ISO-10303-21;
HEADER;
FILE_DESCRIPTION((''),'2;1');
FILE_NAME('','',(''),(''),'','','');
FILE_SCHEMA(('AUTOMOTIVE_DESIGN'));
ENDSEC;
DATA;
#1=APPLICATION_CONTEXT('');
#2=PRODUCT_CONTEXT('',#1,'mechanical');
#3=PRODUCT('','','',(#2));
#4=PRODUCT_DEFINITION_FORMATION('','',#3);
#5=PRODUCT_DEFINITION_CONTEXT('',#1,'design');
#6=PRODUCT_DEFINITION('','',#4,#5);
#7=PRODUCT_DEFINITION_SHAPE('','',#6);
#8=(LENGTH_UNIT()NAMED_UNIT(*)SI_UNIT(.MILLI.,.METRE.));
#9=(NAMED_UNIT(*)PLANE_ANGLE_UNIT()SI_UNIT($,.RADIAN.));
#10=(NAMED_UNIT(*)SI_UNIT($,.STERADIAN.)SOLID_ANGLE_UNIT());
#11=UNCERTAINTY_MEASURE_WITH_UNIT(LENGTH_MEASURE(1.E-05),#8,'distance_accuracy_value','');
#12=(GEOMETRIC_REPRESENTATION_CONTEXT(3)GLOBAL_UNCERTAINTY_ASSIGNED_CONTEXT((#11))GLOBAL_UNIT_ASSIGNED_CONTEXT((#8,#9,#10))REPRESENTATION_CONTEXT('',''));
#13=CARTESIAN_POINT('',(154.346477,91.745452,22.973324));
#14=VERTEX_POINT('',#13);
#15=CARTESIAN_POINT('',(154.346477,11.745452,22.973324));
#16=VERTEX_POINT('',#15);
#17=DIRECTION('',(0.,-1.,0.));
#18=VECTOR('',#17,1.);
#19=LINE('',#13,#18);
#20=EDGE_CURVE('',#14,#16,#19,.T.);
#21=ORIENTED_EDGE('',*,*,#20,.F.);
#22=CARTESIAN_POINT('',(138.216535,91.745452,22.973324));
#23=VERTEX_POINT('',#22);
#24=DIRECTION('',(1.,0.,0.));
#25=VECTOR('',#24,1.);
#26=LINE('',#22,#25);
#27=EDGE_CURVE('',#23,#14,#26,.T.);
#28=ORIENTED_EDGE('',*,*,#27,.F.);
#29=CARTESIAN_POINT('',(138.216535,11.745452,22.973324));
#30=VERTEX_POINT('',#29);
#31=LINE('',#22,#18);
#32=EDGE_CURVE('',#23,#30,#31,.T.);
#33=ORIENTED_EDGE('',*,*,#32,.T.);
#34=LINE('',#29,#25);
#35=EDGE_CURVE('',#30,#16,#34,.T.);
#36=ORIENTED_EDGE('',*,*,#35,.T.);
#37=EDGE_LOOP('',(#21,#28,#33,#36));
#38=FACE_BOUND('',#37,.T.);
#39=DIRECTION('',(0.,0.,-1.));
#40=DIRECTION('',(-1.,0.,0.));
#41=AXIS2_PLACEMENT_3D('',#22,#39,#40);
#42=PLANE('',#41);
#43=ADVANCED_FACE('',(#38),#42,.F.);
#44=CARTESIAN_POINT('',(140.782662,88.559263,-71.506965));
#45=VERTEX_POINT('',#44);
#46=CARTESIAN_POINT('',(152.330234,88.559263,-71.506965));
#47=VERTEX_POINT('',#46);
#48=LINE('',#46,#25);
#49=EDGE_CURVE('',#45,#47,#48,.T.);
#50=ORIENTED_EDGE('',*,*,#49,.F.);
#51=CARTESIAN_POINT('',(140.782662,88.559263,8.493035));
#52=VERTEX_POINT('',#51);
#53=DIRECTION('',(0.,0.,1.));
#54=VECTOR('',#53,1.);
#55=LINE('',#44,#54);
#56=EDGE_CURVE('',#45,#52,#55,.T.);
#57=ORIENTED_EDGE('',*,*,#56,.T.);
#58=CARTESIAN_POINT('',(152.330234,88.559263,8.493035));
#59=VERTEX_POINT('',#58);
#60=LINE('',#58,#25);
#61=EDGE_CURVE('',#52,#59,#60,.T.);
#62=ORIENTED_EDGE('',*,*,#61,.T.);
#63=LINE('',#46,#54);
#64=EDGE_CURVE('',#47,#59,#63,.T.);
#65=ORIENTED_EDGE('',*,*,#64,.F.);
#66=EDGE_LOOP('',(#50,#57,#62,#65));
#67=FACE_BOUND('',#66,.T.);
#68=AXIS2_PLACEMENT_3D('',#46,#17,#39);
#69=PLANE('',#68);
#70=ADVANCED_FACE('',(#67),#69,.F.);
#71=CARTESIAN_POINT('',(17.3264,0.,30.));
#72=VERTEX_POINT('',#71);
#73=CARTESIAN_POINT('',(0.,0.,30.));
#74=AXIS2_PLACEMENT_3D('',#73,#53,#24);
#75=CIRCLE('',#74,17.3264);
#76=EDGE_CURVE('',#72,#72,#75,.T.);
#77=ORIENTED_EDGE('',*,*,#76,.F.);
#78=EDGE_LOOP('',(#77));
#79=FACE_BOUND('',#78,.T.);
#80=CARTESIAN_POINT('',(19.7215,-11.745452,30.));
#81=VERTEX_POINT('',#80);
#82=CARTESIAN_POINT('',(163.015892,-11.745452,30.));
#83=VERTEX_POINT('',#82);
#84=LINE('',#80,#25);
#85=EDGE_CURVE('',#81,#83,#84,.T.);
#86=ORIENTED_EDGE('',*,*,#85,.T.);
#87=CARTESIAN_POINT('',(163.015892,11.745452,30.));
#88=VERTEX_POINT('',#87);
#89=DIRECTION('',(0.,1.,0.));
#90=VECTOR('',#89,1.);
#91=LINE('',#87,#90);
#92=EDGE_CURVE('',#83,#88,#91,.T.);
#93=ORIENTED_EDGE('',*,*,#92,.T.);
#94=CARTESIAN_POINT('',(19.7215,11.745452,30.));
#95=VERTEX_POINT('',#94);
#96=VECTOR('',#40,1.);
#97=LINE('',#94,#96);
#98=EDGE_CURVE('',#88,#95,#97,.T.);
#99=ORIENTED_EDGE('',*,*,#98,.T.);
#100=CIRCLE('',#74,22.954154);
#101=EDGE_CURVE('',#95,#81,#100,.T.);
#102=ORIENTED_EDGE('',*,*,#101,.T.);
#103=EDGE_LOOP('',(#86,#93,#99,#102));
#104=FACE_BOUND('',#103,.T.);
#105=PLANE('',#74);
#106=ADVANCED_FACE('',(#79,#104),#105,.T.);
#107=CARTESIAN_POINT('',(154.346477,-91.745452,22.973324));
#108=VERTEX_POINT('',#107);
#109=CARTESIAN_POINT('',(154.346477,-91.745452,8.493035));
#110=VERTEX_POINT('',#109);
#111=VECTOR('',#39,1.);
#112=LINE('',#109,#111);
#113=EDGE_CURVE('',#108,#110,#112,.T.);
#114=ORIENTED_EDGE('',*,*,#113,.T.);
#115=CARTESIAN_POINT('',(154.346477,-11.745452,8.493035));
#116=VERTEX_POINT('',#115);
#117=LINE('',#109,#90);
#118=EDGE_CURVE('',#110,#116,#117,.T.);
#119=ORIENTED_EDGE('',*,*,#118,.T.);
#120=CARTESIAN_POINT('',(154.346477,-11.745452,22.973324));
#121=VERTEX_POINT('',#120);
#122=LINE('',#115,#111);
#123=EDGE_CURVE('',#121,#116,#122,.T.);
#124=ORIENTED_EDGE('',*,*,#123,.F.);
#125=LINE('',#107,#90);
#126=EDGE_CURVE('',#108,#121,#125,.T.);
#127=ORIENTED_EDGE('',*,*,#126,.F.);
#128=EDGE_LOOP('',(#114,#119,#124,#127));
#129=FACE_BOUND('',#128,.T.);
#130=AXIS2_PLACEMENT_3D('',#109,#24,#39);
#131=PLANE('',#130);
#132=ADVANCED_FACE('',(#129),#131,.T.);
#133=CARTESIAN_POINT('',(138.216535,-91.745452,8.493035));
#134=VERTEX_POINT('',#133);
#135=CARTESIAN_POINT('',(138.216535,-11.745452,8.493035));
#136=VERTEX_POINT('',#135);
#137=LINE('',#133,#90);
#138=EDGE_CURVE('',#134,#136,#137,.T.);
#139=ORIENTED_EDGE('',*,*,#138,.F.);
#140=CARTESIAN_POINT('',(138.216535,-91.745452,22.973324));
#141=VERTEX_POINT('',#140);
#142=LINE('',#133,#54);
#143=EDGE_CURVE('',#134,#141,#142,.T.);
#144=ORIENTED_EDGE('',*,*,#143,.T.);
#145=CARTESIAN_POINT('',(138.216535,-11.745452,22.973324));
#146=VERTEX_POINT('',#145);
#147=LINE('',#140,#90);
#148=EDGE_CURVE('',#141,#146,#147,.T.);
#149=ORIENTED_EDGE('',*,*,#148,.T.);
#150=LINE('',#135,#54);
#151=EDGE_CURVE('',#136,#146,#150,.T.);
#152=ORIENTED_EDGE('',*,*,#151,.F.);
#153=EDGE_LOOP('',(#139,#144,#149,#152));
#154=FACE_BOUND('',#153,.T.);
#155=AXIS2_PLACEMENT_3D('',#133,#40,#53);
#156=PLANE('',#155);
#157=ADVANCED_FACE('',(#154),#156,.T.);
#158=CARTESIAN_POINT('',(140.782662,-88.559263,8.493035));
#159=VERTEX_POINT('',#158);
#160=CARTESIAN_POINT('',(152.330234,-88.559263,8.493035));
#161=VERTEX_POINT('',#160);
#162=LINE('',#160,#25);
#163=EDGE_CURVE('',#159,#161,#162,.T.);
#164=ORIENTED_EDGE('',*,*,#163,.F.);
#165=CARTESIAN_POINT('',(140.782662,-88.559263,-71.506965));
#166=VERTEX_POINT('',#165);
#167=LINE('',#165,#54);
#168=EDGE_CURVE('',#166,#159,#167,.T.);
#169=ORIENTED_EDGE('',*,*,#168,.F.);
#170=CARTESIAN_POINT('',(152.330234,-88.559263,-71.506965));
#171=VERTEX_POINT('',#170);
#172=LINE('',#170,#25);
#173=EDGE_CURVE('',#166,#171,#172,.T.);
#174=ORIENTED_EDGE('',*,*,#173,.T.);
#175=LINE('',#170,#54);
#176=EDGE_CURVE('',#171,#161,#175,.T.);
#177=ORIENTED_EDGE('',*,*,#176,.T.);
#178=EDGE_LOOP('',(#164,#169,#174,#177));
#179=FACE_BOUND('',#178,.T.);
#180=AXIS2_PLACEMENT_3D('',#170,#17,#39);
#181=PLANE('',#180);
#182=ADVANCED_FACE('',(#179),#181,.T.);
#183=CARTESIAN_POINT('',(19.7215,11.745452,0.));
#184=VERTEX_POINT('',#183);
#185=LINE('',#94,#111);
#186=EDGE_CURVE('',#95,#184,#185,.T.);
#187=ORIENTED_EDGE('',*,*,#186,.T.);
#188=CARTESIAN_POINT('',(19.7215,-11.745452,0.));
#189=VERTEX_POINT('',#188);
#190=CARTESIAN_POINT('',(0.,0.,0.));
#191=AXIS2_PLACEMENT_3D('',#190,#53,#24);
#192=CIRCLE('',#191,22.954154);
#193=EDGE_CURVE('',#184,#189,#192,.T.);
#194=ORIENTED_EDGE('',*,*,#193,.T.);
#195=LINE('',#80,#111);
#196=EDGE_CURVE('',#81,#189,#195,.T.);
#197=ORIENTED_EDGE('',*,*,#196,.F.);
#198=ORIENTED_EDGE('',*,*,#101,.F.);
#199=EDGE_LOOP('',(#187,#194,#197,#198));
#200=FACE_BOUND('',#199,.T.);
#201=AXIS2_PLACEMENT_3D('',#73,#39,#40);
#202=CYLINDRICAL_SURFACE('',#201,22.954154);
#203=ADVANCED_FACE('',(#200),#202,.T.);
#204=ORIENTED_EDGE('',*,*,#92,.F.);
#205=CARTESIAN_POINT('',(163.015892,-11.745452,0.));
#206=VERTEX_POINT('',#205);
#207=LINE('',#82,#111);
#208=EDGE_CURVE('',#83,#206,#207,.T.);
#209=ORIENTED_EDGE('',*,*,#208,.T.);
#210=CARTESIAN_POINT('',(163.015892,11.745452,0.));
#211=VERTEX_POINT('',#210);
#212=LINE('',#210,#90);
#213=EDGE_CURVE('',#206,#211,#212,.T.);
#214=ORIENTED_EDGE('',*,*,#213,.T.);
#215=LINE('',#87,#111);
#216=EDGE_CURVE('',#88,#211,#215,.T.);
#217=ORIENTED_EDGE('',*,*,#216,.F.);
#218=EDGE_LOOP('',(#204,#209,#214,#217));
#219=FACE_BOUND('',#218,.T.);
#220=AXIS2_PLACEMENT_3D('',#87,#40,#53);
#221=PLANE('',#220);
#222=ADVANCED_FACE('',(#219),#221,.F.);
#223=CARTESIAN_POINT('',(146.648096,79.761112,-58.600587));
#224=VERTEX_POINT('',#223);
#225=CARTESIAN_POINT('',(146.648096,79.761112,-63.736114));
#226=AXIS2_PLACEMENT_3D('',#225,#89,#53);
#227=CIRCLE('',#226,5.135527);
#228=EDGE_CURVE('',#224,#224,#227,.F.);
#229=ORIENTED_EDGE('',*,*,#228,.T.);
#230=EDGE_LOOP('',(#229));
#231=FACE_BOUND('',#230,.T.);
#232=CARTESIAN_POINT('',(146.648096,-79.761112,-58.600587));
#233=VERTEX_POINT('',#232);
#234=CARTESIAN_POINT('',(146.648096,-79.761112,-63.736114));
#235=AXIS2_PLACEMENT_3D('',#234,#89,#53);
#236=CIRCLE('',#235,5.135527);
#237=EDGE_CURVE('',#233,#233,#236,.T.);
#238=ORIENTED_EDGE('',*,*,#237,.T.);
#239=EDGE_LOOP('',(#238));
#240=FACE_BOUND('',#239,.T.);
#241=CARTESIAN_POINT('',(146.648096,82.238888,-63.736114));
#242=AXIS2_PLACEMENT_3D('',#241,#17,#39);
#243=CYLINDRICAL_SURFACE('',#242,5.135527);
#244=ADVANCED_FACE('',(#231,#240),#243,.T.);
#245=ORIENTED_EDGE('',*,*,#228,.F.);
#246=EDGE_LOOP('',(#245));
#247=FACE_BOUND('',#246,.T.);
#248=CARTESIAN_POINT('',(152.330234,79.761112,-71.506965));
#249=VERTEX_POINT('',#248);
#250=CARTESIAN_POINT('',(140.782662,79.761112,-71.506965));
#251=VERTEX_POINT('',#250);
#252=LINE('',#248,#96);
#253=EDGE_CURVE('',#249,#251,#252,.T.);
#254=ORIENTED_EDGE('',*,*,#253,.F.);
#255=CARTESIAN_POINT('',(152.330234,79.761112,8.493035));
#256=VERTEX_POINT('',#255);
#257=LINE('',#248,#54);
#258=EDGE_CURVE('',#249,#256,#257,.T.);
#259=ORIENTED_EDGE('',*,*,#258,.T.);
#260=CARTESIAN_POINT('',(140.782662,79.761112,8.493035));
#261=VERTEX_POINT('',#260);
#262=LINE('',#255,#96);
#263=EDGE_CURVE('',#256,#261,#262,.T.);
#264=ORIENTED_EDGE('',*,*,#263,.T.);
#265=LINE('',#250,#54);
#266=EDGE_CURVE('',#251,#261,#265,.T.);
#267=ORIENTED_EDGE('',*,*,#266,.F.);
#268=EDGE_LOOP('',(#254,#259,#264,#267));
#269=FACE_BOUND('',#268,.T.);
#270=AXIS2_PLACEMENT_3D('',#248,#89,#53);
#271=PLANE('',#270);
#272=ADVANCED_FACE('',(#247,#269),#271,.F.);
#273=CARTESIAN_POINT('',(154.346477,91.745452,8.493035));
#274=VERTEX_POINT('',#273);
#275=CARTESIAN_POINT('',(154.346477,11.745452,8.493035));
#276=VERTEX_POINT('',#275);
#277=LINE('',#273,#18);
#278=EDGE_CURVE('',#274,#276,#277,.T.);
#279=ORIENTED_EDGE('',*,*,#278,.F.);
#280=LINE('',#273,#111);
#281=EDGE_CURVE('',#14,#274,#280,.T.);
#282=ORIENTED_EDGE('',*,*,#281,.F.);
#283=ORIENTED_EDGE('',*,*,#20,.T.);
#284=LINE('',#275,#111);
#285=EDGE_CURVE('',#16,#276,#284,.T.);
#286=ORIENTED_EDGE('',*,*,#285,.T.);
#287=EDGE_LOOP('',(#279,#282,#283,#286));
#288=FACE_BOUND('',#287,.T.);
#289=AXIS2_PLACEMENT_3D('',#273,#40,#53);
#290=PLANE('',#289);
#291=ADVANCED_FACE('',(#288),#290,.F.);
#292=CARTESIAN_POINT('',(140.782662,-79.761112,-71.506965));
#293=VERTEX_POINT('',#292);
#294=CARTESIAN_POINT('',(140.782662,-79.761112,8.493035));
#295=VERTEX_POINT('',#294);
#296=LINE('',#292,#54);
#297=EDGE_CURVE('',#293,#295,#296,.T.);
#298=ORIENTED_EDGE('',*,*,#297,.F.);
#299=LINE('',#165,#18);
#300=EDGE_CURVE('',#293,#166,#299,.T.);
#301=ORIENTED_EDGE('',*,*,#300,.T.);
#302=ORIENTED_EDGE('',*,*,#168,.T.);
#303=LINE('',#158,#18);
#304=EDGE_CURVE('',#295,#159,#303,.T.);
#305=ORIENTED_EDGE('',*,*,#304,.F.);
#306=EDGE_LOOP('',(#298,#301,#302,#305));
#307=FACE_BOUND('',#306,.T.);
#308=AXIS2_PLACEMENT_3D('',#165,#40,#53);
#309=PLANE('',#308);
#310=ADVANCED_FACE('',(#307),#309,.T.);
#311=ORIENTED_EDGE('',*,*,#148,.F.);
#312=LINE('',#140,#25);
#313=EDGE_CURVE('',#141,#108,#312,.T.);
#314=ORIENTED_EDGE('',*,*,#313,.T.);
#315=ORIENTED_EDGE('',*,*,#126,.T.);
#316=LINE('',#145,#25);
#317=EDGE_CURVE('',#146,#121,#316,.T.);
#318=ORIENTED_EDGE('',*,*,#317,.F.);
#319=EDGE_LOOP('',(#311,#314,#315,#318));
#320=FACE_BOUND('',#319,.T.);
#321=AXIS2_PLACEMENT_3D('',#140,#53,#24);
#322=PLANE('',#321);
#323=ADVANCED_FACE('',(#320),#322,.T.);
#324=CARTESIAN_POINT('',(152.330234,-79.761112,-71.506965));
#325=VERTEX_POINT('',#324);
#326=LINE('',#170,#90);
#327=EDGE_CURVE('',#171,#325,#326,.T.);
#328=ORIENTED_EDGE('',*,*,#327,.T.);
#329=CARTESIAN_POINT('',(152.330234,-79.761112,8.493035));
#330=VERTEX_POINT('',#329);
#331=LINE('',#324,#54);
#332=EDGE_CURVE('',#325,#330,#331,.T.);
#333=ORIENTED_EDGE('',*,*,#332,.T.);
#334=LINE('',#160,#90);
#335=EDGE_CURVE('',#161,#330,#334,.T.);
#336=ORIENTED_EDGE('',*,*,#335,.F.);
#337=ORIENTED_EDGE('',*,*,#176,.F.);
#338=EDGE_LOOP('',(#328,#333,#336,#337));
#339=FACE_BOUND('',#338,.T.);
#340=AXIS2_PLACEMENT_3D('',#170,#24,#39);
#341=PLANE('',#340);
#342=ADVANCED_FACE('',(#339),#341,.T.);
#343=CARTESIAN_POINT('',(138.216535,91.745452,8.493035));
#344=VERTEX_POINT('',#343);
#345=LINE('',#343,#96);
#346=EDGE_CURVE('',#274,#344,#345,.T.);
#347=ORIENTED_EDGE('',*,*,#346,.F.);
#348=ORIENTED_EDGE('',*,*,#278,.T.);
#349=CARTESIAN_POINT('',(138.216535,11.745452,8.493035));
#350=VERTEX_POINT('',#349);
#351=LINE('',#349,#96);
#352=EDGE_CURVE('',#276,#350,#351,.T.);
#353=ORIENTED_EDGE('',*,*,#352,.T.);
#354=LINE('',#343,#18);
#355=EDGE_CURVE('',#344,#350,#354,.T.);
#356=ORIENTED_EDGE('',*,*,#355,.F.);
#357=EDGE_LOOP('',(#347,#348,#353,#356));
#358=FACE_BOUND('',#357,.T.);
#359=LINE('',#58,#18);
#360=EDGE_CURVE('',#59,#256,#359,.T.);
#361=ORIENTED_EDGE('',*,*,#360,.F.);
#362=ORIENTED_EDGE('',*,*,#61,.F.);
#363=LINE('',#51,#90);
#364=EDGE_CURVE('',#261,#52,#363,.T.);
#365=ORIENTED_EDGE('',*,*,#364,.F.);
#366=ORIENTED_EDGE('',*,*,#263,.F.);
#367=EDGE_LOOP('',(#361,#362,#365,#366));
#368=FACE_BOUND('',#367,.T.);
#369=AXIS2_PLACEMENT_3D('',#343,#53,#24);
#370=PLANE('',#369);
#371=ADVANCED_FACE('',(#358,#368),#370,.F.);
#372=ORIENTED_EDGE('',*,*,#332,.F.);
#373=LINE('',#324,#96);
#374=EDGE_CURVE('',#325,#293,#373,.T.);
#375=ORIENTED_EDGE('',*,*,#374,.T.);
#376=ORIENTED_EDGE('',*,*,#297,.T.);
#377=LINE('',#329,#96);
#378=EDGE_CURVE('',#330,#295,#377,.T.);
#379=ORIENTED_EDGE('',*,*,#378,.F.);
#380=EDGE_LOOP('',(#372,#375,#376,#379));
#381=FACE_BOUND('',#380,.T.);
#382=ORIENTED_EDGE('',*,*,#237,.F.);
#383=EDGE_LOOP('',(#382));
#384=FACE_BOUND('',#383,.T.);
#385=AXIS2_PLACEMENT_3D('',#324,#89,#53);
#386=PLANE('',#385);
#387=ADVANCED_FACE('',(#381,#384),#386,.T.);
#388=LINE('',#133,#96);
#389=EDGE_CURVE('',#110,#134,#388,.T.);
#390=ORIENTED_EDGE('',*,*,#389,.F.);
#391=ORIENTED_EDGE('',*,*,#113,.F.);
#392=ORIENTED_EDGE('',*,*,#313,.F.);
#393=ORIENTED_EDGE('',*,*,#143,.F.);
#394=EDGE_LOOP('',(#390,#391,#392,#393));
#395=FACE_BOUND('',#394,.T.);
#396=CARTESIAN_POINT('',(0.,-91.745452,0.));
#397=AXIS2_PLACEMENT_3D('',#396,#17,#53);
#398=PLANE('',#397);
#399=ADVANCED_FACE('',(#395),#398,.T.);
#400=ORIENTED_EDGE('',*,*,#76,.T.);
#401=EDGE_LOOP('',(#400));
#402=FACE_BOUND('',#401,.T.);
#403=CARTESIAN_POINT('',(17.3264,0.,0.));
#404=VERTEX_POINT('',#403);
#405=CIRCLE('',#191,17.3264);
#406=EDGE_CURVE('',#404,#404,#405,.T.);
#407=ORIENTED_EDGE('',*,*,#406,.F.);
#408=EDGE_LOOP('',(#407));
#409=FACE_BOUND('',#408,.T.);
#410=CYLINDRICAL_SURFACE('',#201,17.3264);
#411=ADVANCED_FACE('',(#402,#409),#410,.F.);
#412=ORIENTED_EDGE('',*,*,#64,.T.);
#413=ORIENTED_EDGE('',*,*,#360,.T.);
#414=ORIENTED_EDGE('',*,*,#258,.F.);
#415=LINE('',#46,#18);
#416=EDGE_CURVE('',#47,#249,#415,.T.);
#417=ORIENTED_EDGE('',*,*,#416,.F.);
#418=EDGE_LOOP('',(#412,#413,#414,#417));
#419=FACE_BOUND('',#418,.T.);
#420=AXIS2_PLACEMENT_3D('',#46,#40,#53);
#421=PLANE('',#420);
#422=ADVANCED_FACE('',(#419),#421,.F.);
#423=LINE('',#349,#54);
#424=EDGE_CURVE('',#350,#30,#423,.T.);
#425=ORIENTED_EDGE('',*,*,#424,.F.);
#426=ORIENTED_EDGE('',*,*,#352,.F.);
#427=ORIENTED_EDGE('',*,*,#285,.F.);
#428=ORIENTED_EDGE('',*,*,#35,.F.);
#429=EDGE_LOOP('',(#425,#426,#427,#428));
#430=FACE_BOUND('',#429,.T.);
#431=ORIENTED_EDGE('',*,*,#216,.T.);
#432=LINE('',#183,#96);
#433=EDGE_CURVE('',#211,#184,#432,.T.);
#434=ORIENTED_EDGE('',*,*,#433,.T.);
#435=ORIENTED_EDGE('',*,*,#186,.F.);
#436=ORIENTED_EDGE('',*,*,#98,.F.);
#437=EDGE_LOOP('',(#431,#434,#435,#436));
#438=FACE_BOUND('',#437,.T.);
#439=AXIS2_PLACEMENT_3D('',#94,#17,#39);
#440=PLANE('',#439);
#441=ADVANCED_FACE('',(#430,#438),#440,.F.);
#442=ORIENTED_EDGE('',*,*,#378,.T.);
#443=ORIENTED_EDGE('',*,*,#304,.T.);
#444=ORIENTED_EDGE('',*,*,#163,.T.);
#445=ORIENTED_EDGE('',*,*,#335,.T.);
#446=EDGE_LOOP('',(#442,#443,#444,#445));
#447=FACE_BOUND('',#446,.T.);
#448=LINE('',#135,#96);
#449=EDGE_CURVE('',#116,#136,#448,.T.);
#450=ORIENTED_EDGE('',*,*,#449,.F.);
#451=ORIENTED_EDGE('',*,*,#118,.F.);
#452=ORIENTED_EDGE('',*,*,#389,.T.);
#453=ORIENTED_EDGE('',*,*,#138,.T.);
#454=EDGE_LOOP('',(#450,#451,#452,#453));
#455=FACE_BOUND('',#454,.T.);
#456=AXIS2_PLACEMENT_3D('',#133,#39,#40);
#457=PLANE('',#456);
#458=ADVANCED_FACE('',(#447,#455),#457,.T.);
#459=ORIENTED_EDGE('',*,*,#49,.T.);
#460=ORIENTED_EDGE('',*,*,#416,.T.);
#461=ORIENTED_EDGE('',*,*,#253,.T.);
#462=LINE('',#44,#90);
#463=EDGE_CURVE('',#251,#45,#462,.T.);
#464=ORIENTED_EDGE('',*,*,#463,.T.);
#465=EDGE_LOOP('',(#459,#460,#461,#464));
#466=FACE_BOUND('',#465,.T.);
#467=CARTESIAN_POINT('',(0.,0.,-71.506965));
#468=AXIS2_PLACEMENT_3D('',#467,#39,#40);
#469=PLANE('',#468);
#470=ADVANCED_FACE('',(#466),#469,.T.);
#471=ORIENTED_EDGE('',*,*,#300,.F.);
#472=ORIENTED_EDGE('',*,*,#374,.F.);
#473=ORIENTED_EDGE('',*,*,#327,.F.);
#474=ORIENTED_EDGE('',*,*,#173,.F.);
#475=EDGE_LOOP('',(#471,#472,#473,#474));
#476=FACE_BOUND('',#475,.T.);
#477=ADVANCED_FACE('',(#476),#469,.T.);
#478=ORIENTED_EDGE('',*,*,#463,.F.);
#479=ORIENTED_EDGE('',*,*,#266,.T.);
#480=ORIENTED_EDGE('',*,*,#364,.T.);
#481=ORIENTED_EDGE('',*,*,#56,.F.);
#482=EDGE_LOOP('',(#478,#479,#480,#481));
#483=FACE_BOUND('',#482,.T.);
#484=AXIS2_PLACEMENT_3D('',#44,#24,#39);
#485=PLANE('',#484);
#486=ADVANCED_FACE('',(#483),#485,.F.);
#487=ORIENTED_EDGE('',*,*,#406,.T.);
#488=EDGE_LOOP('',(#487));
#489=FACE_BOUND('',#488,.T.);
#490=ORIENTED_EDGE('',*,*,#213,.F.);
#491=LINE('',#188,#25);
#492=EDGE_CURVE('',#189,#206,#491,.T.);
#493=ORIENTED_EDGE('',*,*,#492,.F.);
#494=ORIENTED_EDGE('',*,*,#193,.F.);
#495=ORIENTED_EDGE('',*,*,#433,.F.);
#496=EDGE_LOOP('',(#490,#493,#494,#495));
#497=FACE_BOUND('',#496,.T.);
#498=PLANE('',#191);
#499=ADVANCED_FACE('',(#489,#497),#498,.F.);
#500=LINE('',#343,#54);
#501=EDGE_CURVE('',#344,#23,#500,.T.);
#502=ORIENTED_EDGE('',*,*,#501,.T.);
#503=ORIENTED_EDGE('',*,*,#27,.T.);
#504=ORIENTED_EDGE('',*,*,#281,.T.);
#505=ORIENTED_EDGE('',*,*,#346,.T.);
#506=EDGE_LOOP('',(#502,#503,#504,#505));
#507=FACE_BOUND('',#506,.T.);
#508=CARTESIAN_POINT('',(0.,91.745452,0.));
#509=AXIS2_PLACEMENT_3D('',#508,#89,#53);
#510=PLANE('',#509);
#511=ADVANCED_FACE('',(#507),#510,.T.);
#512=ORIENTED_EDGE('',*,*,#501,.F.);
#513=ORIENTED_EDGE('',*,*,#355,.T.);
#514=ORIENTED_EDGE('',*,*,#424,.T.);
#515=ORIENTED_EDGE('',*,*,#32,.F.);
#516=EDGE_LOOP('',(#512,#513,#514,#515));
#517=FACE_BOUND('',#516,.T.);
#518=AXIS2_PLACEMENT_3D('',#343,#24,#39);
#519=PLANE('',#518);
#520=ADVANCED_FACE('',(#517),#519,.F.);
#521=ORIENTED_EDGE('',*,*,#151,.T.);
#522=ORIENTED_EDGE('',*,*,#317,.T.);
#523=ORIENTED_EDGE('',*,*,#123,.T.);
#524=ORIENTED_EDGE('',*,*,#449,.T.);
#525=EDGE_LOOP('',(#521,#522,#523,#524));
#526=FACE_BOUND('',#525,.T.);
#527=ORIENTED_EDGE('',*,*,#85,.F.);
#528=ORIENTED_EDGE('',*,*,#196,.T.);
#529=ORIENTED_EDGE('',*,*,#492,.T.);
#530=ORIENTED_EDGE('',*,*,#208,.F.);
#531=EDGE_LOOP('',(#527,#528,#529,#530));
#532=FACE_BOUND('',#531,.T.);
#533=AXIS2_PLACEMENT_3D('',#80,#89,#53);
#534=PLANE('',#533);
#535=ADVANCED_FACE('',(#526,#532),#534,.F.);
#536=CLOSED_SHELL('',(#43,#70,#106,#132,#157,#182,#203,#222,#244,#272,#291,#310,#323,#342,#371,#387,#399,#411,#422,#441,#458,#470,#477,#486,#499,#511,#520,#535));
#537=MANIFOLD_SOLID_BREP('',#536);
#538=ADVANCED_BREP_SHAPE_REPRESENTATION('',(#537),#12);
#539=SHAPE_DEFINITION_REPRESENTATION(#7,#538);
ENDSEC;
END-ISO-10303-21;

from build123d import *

# Parameters (mm, degrees)
SKETCH1_R           = 17.326400039
BOSS_EXTRUDE1_DEPTH = 30
SKETCH3_W           = 16.12994251
SKETCH3_H           = 14.480289299
BOSS_EXTRUDE2_DEPTH = 80
SKETCH4_W           = 11.547572479
SKETCH4_H           = 8.79815046
BOSS_EXTRUDE3_DEPTH = 80
SKETCH5_R           = 5.135526513
BOSS_EXTRUDE4_DEPTH = 162


with BuildPart() as part:
    # Sketch1 → Boss-Extrude1 (new body)
    with BuildSketch(Plane.XY):
        with BuildLine():
            Line((19.721500067, 11.745451968), (163.015891701, 11.745451968))
            Line((163.015891701, 11.745451968), (163.015891701, -11.745451968))
            Line((163.015891701, -11.745451968), (19.721500067, -11.745451968))
            ThreePointArc((19.721500067, -11.745451968), (-22.954154456, 0), (19.721500067, 11.745451968))
        make_face()
        Circle(SKETCH1_R, mode=Mode.SUBTRACT)
    extrude(amount=BOSS_EXTRUDE1_DEPTH)

    # Sketch3 → Boss-Extrude2 (add)
    with BuildSketch(Plane(origin=(0, 11.745451968, 0), x_dir=(1, 0, 0), z_dir=(0, 1, 0))):
        with Locations((146.281505943, -15.733179206)):
            Rectangle(SKETCH3_W, SKETCH3_H)
    boss_extrude2 = extrude(amount=BOSS_EXTRUDE2_DEPTH)

    # Sketch4 → Boss-Extrude3 (add)
    with BuildSketch(Plane(origin=(0, 0, 8.493034556), x_dir=(-1, 0, 0), z_dir=(0, 0, -1))):
        with Locations((-146.556448146, 84.160187296)):
            Rectangle(SKETCH4_W, SKETCH4_H)
    boss_extrude3 = extrude(amount=BOSS_EXTRUDE3_DEPTH)

    # Mirror1: Boss-Extrude2, Boss-Extrude3 across plane
    add(boss_extrude2.mirror(Plane.ZX))
    add(boss_extrude3.mirror(Plane.ZX))

    # Sketch5 → Boss-Extrude4 (add)
    with BuildSketch(Plane(origin=(0, -79.761112066, 0), x_dir=(1, 0, 0), z_dir=(0, 1, 0))):
        with Locations(Location((146.648095546, 63.736113616, 0), (0, 0, 270))):
            Circle(SKETCH5_R)
    extrude(amount=BOSS_EXTRUDE4_DEPTH)


solid = part.part
